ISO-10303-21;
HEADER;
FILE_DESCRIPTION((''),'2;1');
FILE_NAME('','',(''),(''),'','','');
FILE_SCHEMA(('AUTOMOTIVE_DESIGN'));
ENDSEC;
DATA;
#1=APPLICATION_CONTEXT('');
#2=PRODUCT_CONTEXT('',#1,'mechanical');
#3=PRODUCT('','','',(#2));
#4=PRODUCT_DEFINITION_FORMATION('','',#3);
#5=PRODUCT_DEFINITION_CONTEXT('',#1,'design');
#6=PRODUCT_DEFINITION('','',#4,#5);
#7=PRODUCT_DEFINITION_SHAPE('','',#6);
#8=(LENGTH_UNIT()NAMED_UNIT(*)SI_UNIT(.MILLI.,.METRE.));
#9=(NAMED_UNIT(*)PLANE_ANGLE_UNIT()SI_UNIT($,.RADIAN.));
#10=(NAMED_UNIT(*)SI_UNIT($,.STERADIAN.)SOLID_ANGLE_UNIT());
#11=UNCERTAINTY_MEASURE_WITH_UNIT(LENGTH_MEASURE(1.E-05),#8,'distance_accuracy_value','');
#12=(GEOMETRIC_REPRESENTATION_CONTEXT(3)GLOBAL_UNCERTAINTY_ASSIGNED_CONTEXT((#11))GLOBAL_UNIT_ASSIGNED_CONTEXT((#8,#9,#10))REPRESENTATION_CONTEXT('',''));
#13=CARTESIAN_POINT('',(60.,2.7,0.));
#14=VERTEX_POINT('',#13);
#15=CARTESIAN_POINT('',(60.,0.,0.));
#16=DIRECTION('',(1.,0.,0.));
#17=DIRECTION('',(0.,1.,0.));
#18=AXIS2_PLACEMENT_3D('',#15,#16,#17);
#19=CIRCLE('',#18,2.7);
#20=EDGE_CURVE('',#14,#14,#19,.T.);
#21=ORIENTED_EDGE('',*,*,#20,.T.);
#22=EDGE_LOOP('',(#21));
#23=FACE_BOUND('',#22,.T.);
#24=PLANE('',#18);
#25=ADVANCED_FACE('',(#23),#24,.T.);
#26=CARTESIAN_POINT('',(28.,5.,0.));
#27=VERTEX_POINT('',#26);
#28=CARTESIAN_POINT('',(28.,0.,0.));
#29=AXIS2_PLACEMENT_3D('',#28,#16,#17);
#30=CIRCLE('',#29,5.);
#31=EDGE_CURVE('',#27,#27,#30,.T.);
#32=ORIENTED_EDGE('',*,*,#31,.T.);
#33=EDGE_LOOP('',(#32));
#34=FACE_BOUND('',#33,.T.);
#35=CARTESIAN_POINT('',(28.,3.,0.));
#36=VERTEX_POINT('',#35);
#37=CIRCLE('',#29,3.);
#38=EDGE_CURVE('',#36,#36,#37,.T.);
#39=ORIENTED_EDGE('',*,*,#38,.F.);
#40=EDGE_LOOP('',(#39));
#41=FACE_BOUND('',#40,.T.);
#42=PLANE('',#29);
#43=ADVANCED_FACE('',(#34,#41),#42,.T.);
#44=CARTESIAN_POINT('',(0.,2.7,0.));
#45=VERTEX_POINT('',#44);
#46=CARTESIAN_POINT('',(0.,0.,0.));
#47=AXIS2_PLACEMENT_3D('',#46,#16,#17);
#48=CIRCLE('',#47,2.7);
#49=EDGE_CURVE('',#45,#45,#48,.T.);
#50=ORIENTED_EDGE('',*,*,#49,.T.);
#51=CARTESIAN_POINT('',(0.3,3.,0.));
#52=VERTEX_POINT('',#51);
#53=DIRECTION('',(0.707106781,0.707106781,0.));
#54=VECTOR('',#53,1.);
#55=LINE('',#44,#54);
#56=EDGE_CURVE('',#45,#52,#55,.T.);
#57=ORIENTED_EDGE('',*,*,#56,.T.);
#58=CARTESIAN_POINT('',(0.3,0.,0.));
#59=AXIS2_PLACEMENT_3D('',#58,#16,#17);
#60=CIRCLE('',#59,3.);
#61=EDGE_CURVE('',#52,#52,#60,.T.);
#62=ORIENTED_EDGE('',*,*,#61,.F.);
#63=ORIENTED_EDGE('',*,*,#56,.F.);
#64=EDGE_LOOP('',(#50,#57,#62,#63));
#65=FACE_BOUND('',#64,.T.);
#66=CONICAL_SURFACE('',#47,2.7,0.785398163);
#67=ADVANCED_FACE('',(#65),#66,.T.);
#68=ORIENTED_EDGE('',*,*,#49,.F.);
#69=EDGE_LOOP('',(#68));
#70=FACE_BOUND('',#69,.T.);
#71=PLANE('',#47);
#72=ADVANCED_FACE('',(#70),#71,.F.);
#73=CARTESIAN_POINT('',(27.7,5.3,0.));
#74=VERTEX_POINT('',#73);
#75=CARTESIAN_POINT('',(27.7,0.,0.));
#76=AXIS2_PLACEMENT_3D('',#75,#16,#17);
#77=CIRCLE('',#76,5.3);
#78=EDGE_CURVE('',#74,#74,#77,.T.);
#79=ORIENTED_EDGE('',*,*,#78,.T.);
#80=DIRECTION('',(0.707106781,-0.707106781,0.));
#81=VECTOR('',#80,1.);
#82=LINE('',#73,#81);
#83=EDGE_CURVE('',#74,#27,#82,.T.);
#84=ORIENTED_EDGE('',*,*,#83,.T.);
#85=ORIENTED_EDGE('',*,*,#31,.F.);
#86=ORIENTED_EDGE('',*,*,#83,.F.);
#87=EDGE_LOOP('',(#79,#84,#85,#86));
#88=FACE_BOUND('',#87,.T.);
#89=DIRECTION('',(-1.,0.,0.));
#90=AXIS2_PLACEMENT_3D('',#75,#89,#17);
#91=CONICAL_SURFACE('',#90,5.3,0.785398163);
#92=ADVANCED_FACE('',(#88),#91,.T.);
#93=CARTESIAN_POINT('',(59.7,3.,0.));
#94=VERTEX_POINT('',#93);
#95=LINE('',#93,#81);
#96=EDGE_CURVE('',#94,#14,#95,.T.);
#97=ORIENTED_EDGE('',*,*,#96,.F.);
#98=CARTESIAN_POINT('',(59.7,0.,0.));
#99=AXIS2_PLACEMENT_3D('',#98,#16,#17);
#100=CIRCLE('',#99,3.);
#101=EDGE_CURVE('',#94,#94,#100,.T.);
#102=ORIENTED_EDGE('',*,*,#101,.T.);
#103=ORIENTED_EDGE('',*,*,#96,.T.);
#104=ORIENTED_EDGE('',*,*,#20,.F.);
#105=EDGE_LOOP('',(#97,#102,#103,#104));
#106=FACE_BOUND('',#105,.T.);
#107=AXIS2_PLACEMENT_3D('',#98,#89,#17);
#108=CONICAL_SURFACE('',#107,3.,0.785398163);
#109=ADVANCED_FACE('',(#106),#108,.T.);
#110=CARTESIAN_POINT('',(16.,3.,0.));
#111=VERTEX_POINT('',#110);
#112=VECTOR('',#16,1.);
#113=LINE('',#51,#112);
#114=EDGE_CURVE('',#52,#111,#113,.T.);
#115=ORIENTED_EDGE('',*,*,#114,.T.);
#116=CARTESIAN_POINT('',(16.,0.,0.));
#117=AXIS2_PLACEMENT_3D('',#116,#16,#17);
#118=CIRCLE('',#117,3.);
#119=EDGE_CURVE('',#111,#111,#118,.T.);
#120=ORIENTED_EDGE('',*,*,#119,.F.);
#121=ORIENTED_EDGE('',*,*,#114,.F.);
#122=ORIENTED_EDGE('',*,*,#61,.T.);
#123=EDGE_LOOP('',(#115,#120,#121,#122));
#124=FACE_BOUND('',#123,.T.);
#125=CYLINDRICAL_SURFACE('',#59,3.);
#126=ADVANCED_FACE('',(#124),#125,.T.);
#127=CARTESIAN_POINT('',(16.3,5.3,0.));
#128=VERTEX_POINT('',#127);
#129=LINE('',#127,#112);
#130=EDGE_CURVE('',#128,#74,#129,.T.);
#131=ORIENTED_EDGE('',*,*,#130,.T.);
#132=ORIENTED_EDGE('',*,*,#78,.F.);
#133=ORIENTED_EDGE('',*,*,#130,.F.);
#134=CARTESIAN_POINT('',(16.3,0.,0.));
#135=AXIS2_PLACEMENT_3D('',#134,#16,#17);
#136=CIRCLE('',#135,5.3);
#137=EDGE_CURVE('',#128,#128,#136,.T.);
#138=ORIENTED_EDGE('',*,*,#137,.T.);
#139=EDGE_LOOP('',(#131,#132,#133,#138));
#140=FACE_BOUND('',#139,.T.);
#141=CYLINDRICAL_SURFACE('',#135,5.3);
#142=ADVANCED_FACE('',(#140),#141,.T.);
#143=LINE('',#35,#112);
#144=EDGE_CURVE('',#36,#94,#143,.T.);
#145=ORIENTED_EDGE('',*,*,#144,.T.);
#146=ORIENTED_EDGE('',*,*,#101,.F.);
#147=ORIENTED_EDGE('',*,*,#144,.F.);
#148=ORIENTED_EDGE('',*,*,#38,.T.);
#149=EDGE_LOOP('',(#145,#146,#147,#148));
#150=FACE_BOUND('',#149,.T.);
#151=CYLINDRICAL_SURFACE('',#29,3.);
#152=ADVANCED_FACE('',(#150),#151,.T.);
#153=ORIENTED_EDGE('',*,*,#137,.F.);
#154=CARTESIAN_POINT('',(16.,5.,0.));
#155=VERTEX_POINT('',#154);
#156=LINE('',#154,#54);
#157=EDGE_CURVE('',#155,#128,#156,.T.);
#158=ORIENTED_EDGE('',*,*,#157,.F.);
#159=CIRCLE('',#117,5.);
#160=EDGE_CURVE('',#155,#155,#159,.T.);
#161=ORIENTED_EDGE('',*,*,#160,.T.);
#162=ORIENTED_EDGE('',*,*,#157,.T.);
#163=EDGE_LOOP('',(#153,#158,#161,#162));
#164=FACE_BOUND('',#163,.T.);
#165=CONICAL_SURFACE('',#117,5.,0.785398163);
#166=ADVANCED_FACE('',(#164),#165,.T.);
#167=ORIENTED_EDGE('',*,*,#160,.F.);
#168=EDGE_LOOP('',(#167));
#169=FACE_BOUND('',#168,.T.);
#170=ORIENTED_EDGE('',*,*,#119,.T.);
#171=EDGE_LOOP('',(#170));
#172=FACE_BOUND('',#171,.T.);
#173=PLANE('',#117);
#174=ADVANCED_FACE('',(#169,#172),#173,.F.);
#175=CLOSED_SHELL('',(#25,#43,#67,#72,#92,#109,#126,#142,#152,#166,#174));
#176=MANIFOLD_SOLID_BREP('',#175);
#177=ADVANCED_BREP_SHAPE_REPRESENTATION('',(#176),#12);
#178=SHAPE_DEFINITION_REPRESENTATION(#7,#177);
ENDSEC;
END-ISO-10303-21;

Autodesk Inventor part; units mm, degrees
ref_plane "YZ Plane" through (0, 0, 0) normal (1, 0, 0) x (0, 1, 0)
ref_plane "XZ Plane" through (0, 0, 0) normal (0, 1, 0) x (-1, 0, 0)
ref_plane "XY Plane" through (0, 0, 0) normal (0, 0, 1) x (1, 0, 0)
sketch "Sketch_10" plane through (0, 0, 0) normal (0, 0, 1) x (1, 0, 0)
  line L0 (60, 0) -> (0, 0)
  line L1 (0, 0) -> (0, 2.7)
  line L2 (0, 2.7) -> (0.3, 3)
  line L3 (0.3, 3) -> (16, 3)
  line L4 (16, 3) -> (16, 5)
  line L5 (16, 5) -> (16.3, 5.3)
  line L6 (16.3, 5.3) -> (27.7, 5.3)
  line L7 (27.7, 5.3) -> (28, 5)
  line L8 (28, 5) -> (28, 3)
  line L9 (28, 3) -> (59.7, 3)
  line L10 (59.7, 3) -> (60, 2.7)
  line L11 (60, 2.7) -> (60, 0)
  line L12 (60, 0) -> (0, 0)
revolve "Revolution1" add sketch "Sketch_10" angle 360 about axis through (60, 0, 0) along (1, 0, 0)
properties part number "S1S 8L-1206_HUB0_0_0_0_0_SHNo_0__0_0__0_0__0_KEY_-_TAP1_0_0_0_0_0_TAP2_0_0_0_0_0"
